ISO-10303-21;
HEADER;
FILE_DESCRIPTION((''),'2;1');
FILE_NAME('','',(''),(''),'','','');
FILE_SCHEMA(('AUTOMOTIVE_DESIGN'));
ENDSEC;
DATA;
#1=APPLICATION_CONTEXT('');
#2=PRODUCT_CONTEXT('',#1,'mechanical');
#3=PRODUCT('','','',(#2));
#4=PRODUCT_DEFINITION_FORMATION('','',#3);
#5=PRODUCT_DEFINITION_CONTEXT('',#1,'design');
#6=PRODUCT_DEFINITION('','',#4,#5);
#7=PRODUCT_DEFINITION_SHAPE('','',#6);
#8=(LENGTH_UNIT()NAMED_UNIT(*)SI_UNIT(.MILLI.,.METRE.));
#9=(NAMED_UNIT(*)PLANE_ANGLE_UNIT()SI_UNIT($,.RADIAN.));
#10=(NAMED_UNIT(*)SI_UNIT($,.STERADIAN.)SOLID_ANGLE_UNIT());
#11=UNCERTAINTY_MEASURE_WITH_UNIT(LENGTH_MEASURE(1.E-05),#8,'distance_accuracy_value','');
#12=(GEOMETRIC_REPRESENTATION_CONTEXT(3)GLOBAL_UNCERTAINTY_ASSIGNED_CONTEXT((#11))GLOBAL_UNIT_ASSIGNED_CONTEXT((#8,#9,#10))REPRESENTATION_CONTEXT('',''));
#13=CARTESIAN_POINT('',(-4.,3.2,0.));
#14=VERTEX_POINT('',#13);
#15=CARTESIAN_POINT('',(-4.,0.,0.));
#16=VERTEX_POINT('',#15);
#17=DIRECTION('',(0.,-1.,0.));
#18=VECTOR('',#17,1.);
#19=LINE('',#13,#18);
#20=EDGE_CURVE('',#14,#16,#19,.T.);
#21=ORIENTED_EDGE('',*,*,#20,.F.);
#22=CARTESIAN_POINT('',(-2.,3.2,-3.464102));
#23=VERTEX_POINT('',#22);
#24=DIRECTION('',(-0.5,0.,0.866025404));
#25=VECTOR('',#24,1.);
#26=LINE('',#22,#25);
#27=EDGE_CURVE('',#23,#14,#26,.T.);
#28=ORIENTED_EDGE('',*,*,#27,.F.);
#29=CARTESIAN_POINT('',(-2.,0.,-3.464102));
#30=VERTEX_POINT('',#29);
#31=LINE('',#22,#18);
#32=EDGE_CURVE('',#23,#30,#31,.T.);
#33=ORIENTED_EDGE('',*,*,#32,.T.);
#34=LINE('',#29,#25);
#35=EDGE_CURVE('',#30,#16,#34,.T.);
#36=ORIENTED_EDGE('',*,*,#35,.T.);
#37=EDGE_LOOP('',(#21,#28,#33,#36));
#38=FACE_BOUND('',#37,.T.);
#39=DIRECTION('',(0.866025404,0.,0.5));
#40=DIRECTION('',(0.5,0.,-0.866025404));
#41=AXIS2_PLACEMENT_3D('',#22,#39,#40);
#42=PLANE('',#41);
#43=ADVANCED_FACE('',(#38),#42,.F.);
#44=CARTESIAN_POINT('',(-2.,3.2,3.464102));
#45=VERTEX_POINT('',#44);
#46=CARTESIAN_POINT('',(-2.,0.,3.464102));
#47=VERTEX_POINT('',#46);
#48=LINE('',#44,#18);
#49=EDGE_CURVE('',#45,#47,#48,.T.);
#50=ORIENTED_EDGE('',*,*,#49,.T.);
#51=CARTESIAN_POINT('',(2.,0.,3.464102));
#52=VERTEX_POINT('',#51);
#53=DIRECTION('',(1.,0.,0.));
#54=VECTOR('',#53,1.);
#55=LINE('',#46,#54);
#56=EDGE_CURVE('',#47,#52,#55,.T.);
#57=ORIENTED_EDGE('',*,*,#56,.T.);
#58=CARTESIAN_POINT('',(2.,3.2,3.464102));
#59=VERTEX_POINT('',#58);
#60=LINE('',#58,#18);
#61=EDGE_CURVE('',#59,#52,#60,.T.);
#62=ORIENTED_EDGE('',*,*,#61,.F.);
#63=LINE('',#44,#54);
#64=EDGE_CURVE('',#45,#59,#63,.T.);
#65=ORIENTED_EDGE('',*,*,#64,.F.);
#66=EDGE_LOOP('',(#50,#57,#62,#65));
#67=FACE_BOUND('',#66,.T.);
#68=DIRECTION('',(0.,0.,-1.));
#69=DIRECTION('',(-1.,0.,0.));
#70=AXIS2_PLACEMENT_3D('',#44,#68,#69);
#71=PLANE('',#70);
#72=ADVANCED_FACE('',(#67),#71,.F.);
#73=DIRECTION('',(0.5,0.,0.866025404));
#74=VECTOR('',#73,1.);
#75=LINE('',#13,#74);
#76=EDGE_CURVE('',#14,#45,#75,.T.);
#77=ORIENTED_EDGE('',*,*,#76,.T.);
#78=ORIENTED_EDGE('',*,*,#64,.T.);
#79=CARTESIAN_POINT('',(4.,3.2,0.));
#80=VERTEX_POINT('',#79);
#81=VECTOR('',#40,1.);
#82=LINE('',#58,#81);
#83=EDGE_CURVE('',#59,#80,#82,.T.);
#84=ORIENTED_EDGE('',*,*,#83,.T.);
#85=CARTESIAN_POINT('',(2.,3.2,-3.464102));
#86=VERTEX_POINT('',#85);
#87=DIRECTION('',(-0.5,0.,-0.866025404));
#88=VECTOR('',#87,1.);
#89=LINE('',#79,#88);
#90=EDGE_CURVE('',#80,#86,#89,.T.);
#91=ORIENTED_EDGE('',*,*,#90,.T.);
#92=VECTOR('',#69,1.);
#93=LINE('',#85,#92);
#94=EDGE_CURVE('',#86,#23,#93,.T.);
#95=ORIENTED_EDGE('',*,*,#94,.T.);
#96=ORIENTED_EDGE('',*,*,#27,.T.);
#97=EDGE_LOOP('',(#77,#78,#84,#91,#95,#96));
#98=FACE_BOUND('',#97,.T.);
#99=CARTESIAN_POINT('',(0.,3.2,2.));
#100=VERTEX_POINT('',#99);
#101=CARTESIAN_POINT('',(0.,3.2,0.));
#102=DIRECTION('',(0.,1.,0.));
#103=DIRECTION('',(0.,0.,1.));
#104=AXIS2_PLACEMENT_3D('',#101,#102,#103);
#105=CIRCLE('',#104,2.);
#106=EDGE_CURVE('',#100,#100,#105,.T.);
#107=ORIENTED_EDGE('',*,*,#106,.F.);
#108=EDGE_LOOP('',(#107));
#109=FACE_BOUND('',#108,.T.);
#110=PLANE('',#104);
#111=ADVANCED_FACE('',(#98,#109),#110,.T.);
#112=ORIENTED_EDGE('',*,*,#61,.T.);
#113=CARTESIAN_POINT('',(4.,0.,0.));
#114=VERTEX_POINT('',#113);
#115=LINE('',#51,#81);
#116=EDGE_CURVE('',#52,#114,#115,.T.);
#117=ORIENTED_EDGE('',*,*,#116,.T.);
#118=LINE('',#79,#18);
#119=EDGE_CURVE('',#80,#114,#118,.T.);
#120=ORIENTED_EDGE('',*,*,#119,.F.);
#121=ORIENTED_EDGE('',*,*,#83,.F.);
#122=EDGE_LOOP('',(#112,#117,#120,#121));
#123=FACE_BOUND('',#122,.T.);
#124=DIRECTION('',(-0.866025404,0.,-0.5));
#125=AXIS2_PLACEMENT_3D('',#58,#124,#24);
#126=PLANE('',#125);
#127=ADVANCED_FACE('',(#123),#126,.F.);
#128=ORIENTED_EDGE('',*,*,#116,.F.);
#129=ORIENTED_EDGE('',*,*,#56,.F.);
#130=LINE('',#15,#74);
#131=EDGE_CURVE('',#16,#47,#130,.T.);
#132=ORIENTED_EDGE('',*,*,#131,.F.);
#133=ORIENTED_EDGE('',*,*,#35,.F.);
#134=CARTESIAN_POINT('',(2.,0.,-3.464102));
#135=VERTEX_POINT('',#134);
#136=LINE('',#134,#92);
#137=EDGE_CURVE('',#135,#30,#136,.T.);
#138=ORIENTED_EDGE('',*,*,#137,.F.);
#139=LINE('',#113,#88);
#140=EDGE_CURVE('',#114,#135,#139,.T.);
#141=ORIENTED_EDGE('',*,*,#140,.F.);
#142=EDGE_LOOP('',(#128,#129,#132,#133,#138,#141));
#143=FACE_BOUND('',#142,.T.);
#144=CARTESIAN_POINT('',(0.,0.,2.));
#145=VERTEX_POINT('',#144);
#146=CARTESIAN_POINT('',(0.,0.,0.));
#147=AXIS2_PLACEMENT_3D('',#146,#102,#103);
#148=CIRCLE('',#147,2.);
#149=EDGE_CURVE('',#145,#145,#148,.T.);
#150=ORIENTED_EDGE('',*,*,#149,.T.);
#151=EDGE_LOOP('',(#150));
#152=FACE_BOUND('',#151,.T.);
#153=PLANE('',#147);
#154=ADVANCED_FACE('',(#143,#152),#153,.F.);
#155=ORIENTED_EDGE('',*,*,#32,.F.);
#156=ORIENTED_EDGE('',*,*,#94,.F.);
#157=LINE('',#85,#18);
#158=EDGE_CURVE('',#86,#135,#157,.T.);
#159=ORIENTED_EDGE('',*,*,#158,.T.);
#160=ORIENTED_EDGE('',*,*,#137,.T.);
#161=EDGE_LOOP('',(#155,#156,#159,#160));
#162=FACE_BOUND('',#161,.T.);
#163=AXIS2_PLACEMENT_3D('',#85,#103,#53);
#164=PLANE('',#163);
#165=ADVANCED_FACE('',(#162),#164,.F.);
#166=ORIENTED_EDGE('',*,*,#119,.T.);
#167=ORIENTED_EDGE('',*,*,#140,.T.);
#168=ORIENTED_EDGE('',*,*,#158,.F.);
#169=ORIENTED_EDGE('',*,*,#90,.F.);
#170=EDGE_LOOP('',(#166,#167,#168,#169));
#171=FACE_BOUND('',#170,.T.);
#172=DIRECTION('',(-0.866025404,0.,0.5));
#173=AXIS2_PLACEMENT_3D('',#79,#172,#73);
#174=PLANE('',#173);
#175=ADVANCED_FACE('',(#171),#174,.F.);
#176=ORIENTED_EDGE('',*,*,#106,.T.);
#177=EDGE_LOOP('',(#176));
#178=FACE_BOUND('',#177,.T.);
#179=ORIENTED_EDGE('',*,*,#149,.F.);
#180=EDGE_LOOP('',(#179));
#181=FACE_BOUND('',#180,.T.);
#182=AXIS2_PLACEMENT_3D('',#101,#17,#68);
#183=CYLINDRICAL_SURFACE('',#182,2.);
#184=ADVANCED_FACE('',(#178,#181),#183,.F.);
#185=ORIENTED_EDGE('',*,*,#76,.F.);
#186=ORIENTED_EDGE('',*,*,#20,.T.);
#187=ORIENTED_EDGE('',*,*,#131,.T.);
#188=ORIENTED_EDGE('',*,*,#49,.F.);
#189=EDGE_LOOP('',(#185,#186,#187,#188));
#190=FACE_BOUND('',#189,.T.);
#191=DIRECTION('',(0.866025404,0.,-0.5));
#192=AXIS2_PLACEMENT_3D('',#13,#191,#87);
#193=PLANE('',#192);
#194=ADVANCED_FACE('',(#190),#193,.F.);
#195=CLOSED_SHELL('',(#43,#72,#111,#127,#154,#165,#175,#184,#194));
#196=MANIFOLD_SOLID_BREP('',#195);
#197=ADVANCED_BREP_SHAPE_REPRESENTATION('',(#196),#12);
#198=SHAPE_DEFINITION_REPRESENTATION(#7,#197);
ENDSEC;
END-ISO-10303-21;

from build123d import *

# Parameters (mm, degrees)
SKETCH_1_R      = 2
EXTRUDE_1_DEPTH = 3.2


with BuildPart() as part:
    # 草图1 → 凸台-拉伸1 (new body)
    with BuildSketch(Plane(origin=(0, 0, 0), x_dir=(1, 0, 0), z_dir=(0, 1, 0))):
        Polygon((4, 0), (2, 3.464101615), (-2, 3.464101615), (-4, 0), (-2, -3.464101615), (2, -3.464101615), align=None)
        with Locations(Location((0, 0, 0), (0, 0, 270))):
            Circle(SKETCH_1_R, mode=Mode.SUBTRACT)
    extrude(amount=EXTRUDE_1_DEPTH)


solid = part.part
